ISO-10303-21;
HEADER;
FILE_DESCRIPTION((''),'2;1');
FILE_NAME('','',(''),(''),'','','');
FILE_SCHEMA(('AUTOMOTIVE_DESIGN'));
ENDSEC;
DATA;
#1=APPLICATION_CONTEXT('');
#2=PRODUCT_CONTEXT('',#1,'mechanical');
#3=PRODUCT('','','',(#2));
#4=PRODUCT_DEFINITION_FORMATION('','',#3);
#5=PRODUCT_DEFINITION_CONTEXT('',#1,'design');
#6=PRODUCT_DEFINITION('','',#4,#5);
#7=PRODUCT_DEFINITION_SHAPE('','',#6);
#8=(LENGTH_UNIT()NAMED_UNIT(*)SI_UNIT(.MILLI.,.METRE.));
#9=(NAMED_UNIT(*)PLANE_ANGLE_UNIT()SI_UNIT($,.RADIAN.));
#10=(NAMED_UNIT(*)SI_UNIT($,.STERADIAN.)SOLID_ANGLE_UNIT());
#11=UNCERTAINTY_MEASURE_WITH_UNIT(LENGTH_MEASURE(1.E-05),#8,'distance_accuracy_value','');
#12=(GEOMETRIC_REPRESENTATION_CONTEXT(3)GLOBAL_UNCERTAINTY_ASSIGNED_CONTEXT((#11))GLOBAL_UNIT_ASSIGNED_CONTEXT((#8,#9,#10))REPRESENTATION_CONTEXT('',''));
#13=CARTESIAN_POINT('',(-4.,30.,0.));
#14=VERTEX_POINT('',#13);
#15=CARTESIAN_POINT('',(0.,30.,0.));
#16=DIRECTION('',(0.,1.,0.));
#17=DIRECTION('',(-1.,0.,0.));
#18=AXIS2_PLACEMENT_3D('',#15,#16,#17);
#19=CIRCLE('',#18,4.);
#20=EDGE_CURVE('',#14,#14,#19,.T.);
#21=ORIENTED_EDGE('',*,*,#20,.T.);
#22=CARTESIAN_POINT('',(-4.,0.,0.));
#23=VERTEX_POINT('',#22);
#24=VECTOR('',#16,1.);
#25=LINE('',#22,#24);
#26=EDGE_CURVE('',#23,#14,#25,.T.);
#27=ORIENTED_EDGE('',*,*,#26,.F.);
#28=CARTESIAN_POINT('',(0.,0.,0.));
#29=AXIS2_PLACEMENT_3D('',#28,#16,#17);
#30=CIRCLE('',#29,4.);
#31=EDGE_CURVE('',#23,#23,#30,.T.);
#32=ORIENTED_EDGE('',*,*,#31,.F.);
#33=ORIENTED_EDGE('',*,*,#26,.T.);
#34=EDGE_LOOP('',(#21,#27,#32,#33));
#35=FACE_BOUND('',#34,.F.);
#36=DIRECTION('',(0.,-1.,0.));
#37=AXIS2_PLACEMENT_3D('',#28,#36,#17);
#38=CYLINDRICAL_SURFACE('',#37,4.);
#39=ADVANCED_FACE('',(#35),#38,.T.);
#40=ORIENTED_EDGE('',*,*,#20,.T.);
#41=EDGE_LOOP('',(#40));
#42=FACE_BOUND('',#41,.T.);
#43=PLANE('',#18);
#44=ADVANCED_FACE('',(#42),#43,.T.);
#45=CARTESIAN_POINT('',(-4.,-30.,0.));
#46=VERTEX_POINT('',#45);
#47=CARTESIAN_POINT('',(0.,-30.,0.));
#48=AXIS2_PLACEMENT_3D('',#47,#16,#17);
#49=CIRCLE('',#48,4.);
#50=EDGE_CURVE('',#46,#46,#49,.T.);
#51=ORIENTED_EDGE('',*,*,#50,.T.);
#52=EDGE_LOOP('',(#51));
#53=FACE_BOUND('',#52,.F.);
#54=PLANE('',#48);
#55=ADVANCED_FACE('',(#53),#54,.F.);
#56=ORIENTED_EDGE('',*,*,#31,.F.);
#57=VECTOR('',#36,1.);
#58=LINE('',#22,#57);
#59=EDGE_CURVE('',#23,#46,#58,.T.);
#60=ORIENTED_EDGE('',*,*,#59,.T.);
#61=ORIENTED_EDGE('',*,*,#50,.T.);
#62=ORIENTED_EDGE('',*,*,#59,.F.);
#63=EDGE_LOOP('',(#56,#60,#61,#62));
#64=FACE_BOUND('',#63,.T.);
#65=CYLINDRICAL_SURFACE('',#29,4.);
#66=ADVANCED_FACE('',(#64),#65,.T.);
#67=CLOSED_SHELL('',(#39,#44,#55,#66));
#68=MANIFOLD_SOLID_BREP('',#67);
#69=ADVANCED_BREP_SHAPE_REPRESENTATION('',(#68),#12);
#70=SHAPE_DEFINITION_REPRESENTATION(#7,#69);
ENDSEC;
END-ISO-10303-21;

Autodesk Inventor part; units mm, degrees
ref_plane "YZ Plane" through (0, 0, 0) normal (1, 0, 0) x (0, 1, 0)
ref_plane "XZ Plane" through (0, 0, 0) normal (0, 1, 0) x (-1, 0, 0)
ref_plane "XY Plane" through (0, 0, 0) normal (0, 0, 1) x (1, 0, 0)
sketch "Sketch1" plane through (0, 0, 0) normal (0, 1, 0) x (-1, 0, 0)
  circle A0 centre (0, 0) radius 4
  dimension "d0" = 8
extrude "Extrusion1" add sketch "Sketch1" along normal mid plane 60
properties part number "eje8x60mm" material "Steel"
